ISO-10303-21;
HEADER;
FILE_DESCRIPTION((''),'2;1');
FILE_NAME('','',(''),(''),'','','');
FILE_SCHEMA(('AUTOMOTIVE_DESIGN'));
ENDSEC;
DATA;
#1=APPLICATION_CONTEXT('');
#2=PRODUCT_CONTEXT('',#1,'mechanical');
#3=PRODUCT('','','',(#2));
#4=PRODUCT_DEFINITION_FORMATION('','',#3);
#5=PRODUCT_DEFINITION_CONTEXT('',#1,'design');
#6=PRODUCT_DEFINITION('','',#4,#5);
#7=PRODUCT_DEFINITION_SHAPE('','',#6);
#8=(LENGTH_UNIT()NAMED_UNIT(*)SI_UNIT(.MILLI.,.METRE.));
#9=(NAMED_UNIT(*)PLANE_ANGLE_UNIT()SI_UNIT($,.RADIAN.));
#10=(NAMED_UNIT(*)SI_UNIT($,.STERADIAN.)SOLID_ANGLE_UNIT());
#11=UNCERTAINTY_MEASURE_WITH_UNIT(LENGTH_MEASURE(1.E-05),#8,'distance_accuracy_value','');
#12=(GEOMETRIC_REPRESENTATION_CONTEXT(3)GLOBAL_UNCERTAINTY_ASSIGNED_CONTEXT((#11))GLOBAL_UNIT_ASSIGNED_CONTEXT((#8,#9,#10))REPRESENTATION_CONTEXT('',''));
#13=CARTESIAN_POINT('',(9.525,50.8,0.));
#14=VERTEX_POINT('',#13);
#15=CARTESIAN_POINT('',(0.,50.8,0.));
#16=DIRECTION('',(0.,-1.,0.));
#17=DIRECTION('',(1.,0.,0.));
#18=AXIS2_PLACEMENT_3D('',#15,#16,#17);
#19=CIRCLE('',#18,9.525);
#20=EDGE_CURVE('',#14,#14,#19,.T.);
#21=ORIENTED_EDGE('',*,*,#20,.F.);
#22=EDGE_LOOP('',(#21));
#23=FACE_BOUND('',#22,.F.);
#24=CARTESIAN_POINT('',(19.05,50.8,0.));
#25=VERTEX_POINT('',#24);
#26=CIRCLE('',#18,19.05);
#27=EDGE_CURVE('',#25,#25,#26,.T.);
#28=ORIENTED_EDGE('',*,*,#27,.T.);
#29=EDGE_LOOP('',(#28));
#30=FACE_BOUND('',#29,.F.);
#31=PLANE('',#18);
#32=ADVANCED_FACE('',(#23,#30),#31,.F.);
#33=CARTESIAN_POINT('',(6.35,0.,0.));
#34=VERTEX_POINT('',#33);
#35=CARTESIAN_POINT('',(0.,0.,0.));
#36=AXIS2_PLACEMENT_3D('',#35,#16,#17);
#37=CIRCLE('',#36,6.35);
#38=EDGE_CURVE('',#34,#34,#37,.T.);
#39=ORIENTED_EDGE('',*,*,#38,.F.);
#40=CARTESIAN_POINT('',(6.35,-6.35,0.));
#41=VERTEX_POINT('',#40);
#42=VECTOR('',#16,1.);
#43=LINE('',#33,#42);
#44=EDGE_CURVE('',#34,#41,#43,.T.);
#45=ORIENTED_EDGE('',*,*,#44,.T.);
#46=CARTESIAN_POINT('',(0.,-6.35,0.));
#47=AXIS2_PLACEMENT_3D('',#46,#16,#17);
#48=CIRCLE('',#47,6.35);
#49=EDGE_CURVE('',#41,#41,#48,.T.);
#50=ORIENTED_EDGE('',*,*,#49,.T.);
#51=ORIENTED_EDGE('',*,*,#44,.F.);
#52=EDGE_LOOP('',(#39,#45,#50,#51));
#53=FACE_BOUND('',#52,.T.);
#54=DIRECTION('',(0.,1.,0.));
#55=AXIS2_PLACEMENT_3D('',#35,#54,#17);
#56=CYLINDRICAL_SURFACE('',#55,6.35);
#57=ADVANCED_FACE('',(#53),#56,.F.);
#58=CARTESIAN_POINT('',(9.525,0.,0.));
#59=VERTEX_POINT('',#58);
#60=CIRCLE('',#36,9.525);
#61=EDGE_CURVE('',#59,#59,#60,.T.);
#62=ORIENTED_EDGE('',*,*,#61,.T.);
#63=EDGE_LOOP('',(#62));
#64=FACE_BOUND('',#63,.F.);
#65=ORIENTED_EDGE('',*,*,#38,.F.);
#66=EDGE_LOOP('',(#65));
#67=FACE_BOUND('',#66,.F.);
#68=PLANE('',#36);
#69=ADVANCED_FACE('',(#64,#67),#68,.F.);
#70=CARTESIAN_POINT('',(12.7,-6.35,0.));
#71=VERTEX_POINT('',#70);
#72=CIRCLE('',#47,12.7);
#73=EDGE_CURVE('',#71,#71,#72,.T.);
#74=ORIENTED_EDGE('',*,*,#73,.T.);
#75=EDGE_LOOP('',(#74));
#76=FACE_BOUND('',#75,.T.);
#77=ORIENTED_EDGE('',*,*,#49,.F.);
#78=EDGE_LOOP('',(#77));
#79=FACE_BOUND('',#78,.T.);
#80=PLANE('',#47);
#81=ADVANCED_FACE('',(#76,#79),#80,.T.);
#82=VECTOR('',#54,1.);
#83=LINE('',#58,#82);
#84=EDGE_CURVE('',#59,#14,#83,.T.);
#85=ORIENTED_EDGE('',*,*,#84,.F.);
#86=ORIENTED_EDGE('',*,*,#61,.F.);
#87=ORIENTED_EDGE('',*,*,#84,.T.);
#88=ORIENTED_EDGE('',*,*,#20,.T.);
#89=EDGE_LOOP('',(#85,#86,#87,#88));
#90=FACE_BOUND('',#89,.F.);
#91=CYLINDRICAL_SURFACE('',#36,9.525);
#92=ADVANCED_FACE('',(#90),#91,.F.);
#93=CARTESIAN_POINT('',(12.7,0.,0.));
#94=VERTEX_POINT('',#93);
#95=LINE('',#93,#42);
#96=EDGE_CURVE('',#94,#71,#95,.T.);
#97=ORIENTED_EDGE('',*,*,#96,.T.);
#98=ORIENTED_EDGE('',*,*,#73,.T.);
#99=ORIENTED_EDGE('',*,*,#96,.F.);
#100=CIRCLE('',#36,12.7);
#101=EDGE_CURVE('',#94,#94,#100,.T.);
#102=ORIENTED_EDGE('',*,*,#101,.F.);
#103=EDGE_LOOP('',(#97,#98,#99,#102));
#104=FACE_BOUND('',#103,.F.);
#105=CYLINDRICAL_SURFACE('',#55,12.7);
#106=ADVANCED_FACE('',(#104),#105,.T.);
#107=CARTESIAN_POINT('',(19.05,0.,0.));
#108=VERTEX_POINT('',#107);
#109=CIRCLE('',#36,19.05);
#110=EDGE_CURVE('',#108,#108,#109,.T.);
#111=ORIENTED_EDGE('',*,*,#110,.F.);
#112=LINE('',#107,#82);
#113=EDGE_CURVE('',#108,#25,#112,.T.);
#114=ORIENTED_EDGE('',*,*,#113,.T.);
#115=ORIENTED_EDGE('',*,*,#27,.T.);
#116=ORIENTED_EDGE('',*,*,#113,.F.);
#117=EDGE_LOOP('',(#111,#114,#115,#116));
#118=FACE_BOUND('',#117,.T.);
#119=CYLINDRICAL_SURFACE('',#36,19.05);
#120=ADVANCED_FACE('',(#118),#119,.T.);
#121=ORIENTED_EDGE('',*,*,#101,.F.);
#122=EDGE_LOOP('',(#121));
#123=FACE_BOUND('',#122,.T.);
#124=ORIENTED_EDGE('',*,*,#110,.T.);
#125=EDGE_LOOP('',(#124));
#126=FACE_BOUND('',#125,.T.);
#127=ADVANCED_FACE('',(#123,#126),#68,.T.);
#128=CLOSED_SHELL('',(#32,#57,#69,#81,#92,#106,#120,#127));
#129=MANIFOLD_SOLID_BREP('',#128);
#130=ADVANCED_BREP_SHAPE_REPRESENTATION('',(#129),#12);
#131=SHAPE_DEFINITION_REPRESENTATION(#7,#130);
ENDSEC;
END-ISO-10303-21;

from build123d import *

# Parameters (mm, degrees)
F2_R     = 12.7
F2_R_2   = 6.35
F3_DEPTH = 6.35
F4_R     = 19.05
F4_R_2   = 9.525
F5_DEPTH = 50.8


with BuildPart() as f3:
    # F2 (on Front) → F3 (new body)
    with BuildSketch(Plane.XZ):
        Circle(F2_R)
        Circle(F2_R_2, mode=Mode.SUBTRACT)
    extrude(amount=F3_DEPTH)

    # F4 (on Front) → F5 (join)
    with BuildSketch(Plane.XZ):
        Circle(F4_R)
        Circle(F4_R_2, mode=Mode.SUBTRACT)
    extrude(amount=-F5_DEPTH)


solid = f3.part
